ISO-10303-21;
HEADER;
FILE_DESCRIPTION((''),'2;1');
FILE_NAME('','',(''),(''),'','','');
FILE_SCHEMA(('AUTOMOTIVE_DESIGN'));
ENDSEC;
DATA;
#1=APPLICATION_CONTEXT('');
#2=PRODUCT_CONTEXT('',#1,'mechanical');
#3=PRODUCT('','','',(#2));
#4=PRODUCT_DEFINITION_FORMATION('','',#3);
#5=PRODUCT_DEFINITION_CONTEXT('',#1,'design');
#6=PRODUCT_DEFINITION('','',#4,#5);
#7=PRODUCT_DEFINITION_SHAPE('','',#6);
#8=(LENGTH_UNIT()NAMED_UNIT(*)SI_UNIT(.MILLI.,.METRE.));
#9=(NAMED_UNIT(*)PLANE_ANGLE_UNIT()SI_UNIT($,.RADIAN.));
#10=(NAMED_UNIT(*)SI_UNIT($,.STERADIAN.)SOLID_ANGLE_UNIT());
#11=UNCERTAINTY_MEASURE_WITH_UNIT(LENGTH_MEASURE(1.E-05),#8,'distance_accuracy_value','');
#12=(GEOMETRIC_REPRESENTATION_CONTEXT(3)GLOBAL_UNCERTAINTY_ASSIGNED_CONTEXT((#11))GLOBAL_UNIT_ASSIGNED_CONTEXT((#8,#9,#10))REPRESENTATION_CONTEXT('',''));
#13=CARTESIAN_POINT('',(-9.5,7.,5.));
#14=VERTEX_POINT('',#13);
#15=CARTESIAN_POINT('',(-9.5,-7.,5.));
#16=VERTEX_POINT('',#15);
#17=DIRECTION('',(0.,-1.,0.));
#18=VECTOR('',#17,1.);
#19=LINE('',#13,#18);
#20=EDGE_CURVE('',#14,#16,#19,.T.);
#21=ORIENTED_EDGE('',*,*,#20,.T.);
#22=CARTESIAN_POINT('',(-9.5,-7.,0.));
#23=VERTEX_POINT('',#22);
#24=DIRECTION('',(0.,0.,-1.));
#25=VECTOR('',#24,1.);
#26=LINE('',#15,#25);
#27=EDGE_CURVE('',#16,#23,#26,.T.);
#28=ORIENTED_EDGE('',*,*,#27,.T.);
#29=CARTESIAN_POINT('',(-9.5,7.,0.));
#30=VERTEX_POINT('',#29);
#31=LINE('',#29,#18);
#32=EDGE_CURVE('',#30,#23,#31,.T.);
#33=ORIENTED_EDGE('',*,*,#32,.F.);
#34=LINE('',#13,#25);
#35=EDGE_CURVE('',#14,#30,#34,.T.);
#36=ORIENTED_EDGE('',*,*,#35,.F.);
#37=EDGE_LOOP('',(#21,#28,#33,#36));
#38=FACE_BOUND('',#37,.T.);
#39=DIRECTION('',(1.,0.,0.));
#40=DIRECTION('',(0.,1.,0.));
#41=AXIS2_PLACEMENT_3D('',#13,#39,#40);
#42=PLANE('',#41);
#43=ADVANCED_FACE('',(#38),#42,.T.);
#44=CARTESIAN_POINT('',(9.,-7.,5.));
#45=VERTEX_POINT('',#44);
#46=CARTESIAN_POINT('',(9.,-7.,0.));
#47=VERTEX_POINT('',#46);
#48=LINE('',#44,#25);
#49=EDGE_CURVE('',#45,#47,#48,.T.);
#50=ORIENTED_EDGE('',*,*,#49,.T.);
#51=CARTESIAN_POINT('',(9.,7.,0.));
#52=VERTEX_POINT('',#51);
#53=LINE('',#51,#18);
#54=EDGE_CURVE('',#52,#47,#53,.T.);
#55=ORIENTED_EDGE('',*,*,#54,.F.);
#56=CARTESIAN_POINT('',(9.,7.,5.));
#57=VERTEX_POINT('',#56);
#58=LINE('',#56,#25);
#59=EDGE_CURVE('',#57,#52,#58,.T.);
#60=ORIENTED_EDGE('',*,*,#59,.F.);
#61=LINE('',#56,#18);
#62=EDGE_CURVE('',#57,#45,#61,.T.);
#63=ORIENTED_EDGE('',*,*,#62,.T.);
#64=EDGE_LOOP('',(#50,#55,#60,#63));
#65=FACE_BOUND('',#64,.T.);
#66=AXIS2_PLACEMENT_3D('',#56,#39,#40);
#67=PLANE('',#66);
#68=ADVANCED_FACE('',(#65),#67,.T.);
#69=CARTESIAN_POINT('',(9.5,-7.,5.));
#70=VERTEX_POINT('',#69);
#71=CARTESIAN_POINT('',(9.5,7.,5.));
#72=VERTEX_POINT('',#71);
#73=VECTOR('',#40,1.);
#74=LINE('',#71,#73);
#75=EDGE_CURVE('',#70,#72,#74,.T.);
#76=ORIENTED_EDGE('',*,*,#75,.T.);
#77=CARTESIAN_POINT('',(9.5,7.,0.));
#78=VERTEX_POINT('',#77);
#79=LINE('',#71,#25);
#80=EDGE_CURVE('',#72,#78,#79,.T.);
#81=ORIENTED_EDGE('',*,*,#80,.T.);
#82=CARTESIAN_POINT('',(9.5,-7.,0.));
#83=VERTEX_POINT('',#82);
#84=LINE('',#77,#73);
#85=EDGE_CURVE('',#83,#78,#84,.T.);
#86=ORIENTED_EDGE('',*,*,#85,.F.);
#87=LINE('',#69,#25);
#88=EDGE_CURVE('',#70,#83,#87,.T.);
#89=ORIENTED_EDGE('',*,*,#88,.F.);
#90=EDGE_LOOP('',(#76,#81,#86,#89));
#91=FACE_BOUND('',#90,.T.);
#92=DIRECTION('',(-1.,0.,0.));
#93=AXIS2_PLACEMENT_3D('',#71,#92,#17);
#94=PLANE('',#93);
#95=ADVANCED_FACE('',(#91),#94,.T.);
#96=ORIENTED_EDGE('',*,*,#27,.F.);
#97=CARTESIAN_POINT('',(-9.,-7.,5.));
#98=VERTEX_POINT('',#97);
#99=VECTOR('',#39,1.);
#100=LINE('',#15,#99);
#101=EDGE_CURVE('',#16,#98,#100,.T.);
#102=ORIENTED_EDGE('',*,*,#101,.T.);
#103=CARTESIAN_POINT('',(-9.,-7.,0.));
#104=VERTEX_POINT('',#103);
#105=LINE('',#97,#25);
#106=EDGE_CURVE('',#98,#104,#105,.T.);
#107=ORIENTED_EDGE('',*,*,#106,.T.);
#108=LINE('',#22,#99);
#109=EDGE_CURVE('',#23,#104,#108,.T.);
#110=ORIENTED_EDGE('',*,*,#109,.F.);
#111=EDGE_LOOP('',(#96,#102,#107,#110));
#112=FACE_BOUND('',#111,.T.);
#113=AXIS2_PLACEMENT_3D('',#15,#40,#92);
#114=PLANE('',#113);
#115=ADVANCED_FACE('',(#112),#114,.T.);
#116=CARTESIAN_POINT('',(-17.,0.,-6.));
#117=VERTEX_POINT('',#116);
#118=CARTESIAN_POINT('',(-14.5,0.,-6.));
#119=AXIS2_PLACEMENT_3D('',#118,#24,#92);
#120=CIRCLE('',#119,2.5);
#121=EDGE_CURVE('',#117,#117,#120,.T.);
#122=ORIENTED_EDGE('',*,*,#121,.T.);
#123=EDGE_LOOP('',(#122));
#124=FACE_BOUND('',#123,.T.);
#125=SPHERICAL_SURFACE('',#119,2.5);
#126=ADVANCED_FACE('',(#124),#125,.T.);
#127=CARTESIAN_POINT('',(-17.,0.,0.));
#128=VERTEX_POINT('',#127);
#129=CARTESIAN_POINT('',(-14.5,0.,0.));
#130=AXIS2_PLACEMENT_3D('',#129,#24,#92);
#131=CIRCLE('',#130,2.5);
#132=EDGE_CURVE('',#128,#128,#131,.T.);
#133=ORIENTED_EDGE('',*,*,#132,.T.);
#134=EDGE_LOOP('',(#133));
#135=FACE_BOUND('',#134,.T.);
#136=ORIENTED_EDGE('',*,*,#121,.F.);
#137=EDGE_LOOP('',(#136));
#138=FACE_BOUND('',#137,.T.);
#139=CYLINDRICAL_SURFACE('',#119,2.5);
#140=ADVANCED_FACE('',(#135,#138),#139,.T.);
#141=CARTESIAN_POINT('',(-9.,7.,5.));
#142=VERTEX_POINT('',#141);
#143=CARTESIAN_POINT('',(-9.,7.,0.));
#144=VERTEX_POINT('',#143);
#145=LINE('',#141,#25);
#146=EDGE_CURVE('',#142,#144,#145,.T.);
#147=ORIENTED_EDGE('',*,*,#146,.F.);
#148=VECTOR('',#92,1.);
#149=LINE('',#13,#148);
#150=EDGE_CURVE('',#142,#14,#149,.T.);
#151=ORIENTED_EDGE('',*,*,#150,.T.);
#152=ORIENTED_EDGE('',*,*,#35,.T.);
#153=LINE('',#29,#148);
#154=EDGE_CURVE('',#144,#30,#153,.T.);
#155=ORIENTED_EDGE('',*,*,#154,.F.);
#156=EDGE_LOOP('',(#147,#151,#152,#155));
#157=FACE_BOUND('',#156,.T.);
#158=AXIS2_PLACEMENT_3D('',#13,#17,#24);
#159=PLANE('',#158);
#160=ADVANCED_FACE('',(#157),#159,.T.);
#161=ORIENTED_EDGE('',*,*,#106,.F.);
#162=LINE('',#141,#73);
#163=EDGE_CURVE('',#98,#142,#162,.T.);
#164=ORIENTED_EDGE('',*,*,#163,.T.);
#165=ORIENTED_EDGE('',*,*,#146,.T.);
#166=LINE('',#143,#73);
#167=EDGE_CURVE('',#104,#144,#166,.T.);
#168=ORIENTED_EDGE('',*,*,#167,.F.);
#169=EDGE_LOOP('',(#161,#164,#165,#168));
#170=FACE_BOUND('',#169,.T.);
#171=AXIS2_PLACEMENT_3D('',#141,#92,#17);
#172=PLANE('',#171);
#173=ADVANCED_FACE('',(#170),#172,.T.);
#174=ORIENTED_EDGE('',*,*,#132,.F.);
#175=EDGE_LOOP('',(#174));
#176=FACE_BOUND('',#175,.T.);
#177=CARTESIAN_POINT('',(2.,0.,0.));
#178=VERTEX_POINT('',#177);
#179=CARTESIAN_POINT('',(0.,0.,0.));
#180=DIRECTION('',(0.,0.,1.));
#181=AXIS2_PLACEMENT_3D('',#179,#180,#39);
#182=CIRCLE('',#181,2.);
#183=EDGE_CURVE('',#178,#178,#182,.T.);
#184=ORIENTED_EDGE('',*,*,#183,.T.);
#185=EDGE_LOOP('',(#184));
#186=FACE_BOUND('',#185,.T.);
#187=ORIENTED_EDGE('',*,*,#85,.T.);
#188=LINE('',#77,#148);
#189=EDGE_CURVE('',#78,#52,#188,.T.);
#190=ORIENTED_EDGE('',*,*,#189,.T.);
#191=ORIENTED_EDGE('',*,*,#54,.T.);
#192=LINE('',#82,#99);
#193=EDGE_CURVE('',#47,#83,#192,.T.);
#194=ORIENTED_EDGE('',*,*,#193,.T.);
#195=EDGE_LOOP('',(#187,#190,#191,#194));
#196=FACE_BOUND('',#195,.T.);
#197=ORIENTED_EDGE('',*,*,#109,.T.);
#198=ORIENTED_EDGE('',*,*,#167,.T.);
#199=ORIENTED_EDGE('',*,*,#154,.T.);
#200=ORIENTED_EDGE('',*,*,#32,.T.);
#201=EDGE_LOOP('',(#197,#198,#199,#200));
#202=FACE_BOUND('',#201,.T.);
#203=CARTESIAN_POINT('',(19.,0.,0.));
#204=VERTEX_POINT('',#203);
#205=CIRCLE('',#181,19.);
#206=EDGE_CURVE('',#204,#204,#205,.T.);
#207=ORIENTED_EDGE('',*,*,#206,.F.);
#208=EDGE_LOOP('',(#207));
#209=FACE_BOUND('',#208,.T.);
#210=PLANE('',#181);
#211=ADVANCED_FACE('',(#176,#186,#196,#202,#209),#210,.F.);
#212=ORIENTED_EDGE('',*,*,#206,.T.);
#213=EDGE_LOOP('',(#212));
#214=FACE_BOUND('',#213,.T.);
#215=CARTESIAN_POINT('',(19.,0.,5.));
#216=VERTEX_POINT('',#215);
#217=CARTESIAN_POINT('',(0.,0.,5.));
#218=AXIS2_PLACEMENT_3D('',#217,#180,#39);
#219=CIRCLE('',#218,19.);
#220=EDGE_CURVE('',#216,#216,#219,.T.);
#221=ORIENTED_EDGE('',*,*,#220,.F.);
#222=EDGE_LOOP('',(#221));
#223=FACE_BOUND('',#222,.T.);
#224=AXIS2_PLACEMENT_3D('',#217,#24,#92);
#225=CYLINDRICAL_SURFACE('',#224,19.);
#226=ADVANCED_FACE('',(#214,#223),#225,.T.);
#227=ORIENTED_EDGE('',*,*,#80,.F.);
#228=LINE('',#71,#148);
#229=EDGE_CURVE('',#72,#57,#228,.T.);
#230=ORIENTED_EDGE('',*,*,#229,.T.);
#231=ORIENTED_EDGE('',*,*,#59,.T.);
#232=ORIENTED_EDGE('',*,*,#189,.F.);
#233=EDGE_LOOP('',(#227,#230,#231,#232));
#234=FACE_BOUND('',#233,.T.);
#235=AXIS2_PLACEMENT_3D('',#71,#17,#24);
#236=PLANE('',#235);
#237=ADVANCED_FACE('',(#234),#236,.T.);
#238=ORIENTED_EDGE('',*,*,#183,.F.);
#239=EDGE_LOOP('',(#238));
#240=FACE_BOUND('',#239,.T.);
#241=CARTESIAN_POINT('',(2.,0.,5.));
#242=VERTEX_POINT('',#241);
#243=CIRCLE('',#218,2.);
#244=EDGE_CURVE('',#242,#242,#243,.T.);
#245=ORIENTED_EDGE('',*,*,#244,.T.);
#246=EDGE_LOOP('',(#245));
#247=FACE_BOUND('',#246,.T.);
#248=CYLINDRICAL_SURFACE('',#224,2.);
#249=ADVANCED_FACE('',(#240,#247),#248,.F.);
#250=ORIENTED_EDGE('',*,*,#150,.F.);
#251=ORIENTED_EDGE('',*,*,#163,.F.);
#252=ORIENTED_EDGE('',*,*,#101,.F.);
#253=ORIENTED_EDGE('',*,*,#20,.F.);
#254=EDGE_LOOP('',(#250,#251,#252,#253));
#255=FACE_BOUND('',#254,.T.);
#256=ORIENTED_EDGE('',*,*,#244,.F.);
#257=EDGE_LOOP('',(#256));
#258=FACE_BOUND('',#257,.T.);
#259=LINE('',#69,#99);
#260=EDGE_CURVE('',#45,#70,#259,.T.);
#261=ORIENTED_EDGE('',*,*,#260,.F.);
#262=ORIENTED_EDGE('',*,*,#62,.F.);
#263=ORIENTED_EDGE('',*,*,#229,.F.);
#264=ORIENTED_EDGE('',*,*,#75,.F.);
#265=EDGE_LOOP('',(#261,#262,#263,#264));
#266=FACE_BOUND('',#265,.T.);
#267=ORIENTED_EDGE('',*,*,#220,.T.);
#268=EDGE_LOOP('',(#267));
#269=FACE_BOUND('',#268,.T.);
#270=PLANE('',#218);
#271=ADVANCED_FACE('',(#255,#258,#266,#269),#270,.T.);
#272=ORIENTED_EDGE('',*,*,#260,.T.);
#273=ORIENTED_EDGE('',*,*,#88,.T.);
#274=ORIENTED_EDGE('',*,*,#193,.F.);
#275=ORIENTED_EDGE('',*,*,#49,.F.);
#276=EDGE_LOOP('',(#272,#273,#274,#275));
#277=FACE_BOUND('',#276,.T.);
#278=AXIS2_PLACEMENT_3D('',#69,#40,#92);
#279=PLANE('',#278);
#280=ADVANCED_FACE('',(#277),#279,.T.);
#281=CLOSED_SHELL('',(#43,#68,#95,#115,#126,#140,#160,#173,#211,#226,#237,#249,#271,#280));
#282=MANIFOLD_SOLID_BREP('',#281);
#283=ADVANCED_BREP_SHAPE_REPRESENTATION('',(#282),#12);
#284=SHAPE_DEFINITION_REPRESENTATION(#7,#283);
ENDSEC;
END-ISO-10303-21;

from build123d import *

# Parameters (mm, degrees)
SKETCH1_R           = 19
SKETCH1_R_2         = 2
SKETCH1_W           = 0.5
SKETCH1_H           = 14
BOSS_EXTRUDE1_DEPTH = 5


with BuildPart() as part:
    # Sketch1 → Boss-Extrude1 (new body)
    with BuildSketch(Plane.XY):
        Circle(SKETCH1_R)
        Circle(SKETCH1_R_2, mode=Mode.SUBTRACT)
        with Locations((-9.25, 0)):
            Rectangle(SKETCH1_W, SKETCH1_H, mode=Mode.SUBTRACT)
        with Locations((9.25, 0)):
            Rectangle(SKETCH1_W, SKETCH1_H, mode=Mode.SUBTRACT)
    extrude(amount=BOSS_EXTRUDE1_DEPTH)

    # Sketch3 → Revolve1 (revolve)
    with BuildSketch(Plane(origin=(0, 0, 0), x_dir=(1, 0, 0), z_dir=(0, 1, 0))):
        with BuildLine():
            Line((-17, 6), (-17, 0))
            Line((-17, 0), (-14.5, 0))
            Line((-14.5, 0), (-14.5, 8.5))
            ThreePointArc((-14.5, 8.5), (-16.267766953, 7.767766953), (-17, 6))
        make_face()
    revolve(axis=Axis((-14.5, 0, -6), (0, 0, 1)))


solid = part.part
